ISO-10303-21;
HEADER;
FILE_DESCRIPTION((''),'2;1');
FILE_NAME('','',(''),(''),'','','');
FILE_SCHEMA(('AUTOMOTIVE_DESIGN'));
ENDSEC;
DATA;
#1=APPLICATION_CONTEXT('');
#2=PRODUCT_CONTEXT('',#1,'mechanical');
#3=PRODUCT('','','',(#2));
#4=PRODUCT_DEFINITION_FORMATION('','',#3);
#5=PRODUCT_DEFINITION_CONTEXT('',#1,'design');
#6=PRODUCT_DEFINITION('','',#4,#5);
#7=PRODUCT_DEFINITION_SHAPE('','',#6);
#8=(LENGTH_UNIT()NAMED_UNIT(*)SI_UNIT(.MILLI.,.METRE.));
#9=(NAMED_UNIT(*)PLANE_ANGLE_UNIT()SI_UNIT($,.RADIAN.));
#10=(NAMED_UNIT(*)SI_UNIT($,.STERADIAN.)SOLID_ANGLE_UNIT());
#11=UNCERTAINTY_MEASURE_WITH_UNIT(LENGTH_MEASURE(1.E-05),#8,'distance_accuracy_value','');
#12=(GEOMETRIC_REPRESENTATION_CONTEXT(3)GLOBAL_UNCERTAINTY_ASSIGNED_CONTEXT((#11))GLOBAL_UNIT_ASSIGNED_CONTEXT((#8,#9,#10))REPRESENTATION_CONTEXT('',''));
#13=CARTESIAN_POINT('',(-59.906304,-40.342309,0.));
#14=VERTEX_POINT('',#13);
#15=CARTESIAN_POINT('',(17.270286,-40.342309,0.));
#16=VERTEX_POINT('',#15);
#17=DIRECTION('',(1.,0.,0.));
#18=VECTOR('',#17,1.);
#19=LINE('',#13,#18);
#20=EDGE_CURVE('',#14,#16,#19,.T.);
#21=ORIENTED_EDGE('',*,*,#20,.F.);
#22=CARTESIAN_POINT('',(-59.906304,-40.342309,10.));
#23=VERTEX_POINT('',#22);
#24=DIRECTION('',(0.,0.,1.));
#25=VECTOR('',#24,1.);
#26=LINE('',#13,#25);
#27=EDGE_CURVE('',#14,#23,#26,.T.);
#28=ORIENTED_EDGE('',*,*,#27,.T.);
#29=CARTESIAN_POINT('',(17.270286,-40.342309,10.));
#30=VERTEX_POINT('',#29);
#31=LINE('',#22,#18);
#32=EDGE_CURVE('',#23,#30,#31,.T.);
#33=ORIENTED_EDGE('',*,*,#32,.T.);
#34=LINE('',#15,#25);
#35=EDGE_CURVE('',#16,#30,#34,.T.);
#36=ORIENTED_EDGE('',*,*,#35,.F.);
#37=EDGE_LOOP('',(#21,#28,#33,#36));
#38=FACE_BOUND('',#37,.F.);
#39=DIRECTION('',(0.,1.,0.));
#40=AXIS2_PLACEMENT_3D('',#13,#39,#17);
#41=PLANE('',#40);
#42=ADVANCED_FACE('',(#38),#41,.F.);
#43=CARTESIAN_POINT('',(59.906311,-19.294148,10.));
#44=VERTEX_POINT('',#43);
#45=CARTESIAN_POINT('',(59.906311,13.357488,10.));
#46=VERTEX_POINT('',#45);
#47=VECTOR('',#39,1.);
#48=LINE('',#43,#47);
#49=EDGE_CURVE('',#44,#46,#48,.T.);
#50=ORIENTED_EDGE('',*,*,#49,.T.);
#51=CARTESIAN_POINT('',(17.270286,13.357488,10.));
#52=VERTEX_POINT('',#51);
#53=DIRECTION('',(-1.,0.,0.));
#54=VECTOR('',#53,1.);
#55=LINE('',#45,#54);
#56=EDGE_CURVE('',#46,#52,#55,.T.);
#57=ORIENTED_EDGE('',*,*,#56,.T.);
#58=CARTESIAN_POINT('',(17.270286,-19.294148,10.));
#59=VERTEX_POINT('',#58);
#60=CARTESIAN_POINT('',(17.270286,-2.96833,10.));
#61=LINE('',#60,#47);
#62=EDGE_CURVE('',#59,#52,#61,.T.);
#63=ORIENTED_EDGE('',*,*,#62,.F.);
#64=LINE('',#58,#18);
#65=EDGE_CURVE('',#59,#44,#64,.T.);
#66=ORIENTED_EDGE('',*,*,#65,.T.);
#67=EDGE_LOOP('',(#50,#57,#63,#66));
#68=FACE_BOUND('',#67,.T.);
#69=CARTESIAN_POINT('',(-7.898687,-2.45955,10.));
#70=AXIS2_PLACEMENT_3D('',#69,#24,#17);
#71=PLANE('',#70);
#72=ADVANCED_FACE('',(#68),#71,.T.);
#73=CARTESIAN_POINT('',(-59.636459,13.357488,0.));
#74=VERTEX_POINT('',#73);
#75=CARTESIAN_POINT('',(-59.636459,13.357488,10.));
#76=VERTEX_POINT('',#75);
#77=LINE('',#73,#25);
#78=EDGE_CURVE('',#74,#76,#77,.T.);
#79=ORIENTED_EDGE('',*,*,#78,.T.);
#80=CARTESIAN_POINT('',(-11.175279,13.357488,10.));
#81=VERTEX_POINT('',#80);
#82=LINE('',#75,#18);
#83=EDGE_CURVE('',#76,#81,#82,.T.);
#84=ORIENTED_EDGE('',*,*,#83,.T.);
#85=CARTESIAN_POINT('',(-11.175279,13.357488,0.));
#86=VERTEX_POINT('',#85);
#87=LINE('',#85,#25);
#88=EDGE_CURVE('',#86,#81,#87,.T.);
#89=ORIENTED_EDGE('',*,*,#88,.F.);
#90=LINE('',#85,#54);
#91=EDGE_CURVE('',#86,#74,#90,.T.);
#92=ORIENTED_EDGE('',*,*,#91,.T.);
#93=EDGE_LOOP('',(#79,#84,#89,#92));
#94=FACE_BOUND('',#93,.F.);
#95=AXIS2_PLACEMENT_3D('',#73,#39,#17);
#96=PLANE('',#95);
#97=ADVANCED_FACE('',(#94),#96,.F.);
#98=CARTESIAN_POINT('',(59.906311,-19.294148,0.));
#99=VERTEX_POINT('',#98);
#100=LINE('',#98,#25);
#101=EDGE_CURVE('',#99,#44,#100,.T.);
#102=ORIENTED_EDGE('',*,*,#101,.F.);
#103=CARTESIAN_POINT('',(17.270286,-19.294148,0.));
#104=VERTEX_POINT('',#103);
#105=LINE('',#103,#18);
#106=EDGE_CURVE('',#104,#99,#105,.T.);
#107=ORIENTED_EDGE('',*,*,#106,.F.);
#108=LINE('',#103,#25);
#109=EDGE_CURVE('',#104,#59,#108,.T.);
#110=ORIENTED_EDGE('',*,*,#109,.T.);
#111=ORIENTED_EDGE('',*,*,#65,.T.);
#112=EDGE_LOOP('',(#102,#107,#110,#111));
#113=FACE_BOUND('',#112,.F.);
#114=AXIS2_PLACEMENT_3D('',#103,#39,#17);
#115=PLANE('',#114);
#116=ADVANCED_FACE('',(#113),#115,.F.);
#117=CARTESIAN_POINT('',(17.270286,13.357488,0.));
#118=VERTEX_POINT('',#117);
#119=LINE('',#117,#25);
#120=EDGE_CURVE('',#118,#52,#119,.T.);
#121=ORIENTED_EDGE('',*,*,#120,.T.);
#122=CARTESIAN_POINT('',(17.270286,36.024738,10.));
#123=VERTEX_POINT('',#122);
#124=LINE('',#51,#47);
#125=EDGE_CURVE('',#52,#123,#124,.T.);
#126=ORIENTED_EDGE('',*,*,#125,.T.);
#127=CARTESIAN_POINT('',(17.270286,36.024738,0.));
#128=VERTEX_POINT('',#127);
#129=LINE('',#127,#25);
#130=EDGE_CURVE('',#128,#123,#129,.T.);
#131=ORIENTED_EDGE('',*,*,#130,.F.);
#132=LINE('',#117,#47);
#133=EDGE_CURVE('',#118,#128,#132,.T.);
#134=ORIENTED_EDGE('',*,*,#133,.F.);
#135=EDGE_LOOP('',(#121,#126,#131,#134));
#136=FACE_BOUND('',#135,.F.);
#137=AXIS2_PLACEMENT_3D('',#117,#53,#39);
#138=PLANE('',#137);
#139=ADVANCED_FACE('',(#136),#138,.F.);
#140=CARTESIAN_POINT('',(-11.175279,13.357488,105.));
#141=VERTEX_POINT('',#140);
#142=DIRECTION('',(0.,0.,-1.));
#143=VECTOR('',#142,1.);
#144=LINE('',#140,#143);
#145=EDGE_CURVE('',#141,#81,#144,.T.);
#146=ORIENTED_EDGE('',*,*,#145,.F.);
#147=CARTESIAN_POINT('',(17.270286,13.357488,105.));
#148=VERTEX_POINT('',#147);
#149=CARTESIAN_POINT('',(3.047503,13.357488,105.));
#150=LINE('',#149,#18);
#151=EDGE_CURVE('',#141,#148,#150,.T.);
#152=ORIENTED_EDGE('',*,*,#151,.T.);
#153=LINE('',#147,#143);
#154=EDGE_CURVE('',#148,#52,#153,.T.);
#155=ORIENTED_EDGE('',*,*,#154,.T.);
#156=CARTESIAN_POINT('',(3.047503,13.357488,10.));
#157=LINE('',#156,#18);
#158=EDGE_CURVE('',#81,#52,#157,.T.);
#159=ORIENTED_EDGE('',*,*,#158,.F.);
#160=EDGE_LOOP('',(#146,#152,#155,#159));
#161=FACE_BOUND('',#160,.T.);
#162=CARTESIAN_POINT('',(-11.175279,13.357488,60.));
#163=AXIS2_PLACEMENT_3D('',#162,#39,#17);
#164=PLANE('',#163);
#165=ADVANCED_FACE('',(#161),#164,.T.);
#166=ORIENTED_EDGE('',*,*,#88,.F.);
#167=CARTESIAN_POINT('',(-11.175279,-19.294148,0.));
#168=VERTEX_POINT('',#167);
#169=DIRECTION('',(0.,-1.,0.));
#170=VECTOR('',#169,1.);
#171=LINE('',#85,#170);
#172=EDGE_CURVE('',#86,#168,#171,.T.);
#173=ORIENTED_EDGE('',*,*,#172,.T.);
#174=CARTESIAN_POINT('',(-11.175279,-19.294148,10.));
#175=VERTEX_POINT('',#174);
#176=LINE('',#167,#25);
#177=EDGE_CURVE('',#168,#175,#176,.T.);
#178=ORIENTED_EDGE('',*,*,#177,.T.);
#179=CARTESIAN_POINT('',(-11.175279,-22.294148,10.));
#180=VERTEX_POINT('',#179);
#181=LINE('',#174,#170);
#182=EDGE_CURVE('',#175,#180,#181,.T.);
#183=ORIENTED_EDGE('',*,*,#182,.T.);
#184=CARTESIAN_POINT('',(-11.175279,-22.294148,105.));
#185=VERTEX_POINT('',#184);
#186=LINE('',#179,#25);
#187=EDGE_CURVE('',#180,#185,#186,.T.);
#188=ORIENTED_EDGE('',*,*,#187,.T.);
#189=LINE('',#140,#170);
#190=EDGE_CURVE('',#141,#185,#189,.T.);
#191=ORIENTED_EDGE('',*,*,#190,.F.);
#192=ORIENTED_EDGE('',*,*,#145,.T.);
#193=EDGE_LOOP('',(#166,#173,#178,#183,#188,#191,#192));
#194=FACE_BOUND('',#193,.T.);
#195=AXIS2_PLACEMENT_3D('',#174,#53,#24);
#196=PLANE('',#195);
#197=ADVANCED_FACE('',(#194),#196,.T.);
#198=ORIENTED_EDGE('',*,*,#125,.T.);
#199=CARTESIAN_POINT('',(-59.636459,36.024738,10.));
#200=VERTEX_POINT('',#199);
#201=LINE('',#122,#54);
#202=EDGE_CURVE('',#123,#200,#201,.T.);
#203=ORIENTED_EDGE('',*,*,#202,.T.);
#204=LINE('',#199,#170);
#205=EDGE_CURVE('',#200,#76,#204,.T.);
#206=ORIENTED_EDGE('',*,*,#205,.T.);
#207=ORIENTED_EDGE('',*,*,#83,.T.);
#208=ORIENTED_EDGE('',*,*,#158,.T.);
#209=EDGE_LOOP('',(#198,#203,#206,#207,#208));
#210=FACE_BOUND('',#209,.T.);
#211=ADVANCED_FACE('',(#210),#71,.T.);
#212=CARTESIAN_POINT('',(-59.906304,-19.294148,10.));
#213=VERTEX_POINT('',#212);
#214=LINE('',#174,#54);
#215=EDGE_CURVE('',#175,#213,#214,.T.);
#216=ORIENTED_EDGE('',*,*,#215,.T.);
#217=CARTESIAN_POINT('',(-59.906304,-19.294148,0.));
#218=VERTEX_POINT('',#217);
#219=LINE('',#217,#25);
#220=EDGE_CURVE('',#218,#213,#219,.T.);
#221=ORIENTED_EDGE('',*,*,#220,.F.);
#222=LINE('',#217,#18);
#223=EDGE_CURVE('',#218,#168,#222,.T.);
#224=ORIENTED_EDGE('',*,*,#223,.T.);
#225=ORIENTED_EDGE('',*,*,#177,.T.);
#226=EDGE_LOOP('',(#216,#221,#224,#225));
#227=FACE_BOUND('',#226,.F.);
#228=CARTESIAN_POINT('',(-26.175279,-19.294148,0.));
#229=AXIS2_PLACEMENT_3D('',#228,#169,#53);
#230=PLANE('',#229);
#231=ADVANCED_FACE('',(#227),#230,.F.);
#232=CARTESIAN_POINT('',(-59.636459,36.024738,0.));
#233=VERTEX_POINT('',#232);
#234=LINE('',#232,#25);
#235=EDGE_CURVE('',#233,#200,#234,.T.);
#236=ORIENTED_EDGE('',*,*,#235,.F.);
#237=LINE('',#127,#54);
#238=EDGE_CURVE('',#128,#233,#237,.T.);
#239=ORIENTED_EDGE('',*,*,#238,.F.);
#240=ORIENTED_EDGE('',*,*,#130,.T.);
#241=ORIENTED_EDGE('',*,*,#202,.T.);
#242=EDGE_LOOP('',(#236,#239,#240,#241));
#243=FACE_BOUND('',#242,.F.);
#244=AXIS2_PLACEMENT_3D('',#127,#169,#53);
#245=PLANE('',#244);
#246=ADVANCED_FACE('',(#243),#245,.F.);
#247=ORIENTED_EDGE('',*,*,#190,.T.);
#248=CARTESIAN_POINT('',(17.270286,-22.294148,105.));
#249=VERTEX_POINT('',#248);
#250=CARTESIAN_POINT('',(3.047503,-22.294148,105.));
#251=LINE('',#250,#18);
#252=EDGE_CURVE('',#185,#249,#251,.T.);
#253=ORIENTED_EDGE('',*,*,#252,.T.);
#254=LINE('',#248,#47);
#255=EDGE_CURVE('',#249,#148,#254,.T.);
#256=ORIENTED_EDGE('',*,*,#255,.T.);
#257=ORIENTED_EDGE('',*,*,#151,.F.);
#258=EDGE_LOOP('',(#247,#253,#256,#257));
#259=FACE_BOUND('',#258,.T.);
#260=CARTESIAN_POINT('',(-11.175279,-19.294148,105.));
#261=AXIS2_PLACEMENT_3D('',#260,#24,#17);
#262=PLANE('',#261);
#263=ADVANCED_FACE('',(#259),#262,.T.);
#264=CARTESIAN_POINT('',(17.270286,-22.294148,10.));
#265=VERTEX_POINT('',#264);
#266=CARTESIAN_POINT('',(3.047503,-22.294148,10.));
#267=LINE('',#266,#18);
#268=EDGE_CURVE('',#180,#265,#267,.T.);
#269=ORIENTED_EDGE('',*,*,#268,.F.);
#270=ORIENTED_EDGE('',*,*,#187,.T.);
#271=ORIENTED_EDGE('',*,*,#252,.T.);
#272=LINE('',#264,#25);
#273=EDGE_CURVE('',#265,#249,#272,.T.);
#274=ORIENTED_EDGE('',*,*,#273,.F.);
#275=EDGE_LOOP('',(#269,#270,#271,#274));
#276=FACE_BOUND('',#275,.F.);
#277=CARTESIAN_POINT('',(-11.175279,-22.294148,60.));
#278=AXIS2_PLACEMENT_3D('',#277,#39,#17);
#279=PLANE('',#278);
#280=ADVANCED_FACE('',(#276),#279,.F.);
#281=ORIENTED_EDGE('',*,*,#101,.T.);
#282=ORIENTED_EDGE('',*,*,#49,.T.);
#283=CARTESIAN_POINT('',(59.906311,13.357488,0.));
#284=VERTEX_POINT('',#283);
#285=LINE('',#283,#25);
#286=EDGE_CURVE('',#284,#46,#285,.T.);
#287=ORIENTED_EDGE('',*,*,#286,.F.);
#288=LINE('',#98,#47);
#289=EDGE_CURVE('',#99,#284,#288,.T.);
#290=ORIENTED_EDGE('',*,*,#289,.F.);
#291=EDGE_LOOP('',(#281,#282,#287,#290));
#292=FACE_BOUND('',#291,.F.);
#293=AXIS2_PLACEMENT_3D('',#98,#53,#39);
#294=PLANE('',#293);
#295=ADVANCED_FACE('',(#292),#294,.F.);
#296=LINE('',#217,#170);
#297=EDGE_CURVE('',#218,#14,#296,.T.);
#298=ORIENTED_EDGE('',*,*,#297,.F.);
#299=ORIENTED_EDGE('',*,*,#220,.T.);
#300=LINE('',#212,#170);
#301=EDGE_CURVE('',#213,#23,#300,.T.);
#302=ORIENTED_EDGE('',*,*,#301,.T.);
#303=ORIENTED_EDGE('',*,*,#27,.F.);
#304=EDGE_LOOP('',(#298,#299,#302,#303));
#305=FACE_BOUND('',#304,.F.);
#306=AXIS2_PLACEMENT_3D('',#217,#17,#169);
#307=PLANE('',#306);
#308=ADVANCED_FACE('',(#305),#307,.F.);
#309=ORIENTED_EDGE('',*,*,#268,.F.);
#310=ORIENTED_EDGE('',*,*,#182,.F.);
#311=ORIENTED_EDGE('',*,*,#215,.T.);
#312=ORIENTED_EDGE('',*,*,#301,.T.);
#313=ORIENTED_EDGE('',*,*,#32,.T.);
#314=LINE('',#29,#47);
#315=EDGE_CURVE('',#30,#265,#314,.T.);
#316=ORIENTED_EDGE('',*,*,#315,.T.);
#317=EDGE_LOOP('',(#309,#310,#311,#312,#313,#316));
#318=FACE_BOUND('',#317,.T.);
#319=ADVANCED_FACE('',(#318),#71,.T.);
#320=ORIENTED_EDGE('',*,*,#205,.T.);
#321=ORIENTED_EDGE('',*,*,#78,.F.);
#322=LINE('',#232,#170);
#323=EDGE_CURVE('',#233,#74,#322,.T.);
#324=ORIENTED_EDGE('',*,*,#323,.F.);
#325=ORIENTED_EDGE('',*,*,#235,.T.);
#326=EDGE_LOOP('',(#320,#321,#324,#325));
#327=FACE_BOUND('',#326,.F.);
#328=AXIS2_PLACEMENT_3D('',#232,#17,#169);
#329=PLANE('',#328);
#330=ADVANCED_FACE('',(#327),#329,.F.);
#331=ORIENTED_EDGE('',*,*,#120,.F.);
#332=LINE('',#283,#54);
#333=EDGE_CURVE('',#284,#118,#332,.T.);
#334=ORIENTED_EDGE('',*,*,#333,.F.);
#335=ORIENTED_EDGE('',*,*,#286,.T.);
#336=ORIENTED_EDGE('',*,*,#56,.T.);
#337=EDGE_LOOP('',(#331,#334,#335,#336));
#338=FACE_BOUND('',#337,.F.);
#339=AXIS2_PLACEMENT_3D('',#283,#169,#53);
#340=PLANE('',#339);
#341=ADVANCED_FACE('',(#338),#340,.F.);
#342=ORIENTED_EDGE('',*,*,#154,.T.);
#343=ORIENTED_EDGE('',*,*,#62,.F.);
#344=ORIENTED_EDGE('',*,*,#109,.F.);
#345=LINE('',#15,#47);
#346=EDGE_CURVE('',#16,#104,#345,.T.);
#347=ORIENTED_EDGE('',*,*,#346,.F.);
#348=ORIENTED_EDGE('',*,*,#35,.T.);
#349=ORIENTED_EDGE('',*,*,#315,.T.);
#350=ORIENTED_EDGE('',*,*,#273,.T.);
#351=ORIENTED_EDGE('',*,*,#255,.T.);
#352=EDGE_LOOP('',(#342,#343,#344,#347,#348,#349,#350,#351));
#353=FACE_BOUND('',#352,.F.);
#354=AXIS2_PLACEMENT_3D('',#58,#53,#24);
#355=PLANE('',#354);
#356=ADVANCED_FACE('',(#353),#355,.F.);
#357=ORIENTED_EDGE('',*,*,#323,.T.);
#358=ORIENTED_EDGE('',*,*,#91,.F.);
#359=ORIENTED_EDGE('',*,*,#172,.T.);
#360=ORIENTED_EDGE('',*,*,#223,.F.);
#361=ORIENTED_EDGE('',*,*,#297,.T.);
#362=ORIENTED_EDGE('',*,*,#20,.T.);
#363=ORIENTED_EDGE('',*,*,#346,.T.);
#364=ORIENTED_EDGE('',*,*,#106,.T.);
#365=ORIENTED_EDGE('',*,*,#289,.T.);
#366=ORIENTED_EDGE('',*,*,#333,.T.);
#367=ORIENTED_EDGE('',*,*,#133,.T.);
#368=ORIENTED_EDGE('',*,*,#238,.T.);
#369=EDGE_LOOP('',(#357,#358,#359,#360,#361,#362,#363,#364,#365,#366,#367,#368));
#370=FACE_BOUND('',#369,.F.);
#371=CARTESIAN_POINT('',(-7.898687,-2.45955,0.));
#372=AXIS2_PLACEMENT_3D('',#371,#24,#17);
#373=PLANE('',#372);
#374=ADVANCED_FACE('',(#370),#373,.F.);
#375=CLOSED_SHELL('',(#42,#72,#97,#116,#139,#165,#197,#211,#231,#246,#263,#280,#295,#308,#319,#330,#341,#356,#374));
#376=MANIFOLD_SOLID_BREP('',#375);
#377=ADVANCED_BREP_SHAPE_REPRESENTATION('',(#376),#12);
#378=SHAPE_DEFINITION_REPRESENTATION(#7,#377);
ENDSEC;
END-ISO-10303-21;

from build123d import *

# Parameters (mm, degrees)
F1_DEPTH = 10
F2_DEPTH = 15
F3_W     = 28.4455648065
F3_H     = 32.6516358182
F4_DEPTH = 50
F5_DEPTH = 45
F6_DEPTH = 3


with BuildPart() as f1:
    # F0 (on Top) → F1 (new body)
    with BuildSketch(Plane.XY):
        Polygon((17.2702856362, 36.0247381032), (-59.6364587545, 36.0247381032), (-59.6364587545, 13.3574875072), (-26.1752791703, 13.3574875072), (-26.1752791703, -19.294148311), (-59.9063038826, -19.294148311), (-59.9063038826, -40.3423085809), (17.2702856362, -40.3423085809), (17.2702856362, -19.294148311), (59.9063113332, -19.294148311), (59.9063113332, 13.3574875072), (17.2702856362, 13.3574875072), align=None)
    extrude(amount=F1_DEPTH)

    # F2 (cut): a face of the model
    f2_faces = [f1.faces().sort_by_distance(p)[0] for p in [
        (-26.1752791703, -2.9683304019, 5),
    ]]
    extrude(f2_faces, amount=-F2_DEPTH, mode=Mode.SUBTRACT)

    # F3 (on face) → F4 (join)
    with BuildSketch(Plane.XY.offset(10)):
        with Locations((3.047503233, -2.9683304019)):
            Rectangle(F3_W, F3_H)
    extrude(amount=F4_DEPTH)

    # F5 (add): a face of the model
    f5_faces = [f1.faces().sort_by_distance(p)[0] for p in [
        (3.047503233, -2.9683304019, 60),
    ]]
    extrude(f5_faces, amount=F5_DEPTH)

    # F6 (add): a face of the model
    f6_faces = [f1.faces().sort_by_distance(p)[0] for p in [
        (3.047503233, -19.294148311, 57.5),
    ]]
    extrude(f6_faces, amount=F6_DEPTH)


solid = f1.part
